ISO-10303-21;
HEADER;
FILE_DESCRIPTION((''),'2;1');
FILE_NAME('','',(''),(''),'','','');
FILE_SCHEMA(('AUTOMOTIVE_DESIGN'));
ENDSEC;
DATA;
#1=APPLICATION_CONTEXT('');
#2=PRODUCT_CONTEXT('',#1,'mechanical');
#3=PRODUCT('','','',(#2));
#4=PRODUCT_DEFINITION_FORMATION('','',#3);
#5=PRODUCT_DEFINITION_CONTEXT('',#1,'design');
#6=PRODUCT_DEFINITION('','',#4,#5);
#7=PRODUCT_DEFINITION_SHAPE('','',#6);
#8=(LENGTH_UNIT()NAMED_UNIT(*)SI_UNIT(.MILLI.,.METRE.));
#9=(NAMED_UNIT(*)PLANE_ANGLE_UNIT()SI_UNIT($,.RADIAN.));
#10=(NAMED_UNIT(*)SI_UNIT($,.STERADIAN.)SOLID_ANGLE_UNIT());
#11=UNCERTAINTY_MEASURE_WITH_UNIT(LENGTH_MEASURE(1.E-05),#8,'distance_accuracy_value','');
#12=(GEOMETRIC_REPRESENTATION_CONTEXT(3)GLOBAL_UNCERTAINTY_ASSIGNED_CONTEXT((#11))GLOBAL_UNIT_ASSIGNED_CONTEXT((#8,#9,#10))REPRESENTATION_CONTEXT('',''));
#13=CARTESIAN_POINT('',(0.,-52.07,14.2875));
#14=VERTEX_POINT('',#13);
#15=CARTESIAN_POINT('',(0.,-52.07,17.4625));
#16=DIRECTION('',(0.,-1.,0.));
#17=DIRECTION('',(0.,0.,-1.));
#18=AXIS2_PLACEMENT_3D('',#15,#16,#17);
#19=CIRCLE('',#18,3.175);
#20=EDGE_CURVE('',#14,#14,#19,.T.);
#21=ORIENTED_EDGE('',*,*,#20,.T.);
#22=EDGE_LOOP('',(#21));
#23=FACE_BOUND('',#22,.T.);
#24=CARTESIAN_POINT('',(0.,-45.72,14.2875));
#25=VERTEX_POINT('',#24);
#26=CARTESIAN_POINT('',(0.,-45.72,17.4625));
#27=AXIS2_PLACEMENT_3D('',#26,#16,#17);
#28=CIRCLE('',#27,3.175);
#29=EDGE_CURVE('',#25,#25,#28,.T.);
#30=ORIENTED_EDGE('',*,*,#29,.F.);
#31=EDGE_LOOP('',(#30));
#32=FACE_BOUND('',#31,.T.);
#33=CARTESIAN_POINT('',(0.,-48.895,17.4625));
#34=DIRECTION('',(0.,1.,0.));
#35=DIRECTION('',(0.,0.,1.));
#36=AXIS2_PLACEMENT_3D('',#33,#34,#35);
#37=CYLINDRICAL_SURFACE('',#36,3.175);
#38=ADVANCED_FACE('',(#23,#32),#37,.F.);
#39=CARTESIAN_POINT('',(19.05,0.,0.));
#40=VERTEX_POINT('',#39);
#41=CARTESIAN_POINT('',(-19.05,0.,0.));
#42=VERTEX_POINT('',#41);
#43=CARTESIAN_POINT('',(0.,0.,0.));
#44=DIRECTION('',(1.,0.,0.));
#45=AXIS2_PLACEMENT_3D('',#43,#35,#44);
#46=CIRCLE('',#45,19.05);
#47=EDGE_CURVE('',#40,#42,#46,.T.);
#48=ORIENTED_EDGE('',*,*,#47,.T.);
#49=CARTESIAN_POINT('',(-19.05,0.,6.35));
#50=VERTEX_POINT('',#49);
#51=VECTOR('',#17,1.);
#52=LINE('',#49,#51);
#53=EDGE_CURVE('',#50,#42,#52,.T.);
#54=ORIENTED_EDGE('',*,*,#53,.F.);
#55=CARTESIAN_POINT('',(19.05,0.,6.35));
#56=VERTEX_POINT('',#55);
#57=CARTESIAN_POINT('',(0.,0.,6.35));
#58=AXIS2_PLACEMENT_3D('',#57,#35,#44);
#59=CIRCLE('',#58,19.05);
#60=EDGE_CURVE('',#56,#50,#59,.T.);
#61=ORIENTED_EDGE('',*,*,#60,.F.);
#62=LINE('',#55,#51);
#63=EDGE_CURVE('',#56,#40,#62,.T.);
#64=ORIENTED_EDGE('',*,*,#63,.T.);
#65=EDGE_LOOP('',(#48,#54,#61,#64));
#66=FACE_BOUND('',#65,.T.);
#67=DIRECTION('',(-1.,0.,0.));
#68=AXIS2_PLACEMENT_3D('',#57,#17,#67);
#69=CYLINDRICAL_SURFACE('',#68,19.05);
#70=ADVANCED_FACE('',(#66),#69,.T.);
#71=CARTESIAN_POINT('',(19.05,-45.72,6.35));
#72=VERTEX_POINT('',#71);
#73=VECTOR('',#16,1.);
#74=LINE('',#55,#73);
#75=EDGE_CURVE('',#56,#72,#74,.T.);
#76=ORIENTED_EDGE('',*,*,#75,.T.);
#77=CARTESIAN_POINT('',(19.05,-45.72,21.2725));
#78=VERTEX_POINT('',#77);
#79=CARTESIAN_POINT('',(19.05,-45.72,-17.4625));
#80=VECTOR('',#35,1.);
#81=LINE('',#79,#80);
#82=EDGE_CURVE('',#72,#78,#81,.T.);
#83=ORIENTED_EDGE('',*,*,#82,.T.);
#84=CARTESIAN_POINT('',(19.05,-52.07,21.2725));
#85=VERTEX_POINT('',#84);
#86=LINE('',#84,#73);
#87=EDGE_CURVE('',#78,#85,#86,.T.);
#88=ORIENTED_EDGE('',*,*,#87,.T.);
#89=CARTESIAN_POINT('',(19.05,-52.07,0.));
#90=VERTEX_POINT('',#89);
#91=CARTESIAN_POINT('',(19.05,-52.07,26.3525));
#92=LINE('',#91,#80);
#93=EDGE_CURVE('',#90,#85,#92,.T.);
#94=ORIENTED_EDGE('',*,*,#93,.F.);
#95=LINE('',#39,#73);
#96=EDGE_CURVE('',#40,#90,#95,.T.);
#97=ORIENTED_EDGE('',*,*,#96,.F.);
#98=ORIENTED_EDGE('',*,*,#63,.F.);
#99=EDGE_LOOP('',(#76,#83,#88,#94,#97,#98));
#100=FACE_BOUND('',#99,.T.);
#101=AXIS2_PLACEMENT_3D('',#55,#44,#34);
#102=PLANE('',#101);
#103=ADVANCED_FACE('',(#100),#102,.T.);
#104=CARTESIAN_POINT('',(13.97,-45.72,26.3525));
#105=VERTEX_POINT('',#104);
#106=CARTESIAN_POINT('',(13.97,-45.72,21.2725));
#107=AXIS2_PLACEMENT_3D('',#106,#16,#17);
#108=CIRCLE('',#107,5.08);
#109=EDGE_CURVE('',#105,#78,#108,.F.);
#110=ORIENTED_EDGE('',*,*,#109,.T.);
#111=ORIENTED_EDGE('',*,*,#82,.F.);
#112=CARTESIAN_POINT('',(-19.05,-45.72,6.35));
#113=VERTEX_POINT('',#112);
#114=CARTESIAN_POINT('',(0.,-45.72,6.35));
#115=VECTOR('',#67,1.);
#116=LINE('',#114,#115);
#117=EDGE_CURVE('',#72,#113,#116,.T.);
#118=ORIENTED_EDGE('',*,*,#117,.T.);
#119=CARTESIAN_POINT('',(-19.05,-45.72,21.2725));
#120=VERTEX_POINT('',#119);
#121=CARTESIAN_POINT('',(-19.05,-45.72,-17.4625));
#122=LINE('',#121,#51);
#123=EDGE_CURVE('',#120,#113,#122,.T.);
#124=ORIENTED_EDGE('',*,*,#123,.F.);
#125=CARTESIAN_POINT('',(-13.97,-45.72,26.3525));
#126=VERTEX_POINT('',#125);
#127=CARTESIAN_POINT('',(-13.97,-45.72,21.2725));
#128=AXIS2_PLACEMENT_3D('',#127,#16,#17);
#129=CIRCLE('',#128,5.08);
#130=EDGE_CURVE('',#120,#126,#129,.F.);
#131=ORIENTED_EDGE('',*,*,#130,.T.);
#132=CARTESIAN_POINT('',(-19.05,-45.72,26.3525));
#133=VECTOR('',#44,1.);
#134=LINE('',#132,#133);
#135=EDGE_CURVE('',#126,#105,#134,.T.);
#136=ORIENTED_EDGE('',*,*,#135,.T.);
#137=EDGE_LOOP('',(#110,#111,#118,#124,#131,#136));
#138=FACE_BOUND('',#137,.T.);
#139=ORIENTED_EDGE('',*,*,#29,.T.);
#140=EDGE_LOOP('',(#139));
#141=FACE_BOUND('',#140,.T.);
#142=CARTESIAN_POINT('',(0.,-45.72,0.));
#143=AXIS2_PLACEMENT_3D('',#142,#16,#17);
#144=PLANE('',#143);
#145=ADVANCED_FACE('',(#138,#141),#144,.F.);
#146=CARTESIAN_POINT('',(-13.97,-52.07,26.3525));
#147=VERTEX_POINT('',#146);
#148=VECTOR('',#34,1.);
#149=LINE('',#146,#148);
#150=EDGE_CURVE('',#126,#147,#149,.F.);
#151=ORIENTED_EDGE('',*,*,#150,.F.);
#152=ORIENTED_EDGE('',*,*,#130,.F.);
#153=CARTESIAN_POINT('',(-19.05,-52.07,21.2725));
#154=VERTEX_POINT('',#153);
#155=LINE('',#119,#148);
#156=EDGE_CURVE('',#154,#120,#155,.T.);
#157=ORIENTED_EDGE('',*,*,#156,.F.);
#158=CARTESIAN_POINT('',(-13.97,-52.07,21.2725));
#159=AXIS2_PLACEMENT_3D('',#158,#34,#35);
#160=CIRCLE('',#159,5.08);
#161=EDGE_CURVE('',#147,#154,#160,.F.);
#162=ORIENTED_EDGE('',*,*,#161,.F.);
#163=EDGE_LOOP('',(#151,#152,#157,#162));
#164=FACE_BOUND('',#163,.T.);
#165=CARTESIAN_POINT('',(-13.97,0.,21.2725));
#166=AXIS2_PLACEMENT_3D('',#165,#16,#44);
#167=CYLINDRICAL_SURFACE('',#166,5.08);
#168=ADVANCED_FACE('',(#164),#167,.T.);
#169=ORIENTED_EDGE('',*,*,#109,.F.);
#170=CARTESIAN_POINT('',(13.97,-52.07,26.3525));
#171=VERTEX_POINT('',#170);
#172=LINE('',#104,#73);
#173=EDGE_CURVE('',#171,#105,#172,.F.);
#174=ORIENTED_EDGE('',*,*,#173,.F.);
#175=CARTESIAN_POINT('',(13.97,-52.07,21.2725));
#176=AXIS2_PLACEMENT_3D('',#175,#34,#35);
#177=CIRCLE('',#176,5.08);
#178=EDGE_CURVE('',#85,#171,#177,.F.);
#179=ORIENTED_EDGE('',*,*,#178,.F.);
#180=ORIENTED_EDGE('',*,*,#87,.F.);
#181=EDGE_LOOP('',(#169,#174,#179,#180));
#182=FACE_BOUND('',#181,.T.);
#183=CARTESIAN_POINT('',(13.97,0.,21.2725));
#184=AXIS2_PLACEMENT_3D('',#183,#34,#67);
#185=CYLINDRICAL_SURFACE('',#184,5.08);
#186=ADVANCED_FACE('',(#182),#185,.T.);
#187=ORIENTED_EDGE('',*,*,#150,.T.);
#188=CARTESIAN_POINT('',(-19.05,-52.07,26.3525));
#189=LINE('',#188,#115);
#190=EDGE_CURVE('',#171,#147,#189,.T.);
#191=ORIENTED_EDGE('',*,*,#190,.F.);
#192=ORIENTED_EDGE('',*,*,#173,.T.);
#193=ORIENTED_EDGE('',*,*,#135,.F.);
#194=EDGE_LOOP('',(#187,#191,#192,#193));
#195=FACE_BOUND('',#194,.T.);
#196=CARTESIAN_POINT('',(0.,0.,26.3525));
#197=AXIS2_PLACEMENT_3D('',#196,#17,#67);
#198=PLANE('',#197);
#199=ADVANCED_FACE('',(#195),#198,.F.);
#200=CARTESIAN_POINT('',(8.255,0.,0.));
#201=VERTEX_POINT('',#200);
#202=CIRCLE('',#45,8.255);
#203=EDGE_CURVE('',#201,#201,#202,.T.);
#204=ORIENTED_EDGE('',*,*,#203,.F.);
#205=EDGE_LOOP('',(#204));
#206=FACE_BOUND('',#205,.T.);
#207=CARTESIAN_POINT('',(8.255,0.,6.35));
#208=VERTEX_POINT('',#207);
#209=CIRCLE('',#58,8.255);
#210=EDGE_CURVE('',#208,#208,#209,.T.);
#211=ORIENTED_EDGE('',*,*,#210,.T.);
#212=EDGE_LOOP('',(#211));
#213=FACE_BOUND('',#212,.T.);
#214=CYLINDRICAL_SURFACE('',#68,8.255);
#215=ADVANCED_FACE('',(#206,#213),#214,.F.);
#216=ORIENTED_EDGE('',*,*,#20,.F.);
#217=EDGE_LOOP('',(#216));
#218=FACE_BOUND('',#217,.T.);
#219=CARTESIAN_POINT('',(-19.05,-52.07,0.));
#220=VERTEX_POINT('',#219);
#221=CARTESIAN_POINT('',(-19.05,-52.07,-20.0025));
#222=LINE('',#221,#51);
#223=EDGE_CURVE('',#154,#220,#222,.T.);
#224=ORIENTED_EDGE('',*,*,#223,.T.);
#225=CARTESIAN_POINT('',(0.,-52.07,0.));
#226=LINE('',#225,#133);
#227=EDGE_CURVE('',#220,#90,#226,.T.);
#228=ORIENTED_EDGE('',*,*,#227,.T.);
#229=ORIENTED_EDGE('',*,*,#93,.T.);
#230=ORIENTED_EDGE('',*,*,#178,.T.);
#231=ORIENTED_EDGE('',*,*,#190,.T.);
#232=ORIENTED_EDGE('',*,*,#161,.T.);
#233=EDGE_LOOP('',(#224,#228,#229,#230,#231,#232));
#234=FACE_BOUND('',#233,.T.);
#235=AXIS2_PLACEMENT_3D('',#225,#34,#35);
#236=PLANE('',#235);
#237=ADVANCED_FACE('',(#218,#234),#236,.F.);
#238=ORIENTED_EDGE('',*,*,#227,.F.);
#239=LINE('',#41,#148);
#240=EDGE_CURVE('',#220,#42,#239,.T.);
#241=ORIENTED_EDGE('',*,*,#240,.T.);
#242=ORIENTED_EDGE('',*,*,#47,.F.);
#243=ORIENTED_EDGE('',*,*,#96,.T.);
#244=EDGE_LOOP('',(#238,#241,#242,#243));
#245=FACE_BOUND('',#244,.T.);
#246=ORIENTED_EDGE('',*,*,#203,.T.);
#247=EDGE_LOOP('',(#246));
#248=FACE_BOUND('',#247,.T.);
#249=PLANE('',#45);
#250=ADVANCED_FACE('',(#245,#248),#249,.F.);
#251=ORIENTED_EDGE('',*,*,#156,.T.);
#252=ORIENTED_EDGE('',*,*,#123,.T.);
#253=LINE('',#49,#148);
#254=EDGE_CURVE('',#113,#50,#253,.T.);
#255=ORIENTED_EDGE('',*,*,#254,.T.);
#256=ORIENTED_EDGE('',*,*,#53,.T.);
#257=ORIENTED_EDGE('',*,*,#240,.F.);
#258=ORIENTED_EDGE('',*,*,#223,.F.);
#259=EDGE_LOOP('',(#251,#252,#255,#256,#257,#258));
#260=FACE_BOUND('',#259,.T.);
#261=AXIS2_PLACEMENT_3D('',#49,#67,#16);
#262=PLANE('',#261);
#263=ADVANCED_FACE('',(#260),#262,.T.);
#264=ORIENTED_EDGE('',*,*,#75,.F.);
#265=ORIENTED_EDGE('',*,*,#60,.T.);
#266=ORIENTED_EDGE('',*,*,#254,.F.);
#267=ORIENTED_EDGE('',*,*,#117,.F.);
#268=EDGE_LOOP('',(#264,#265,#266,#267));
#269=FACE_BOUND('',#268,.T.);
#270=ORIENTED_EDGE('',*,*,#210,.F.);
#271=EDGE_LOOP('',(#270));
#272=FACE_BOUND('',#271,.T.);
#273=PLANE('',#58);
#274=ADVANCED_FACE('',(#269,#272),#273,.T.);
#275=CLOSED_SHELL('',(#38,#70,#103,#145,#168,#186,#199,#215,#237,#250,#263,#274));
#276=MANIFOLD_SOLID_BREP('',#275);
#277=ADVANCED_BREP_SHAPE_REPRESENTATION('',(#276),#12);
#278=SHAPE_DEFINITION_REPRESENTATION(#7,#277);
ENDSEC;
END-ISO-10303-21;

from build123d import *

# Parameters (mm, degrees)
BOSS_EXTRUDE1_DEPTH = 6.35
SKETCH2_W           = 38.1
SKETCH2_H           = 41.275
SKETCH2_R           = 3.175
BOSS_EXTRUDE2_DEPTH = 3.175
SKETCH4_W           = 38.1
SKETCH4_H           = 3.175
BOSS_EXTRUDE3_DEPTH = 2.54
SKETCH5_W           = 38.1
SKETCH5_H           = 46.355
BOSS_EXTRUDE4_DEPTH = 3.175
SKETCH6_R           = 3.175
CUT_EXTRUDE1_DEPTH  = 6.35
FILLET1_R           = 5.08
SKETCH7_W           = 70.311291794
SKETCH7_H           = 15.462980338
CUT_EXTRUDE2_DEPTH  = 20.0025


with BuildPart() as part:
    # Sketch1 → Boss-Extrude1 (new body)
    with BuildSketch(Plane.XY):
        with BuildLine():
            ThreePointArc((-8.255, 0), (0, 8.255), (8.255, 0))
            Line((8.255, 0), (19.05, 0))
            ThreePointArc((19.05, 0), (0, 19.05), (-19.05, 0))
            Line((-19.05, 0), (-8.255, 0))
        make_face()
        with BuildLine():
            Line((19.05, 0), (8.255, 0))
            ThreePointArc((8.255, 0), (0, -8.255), (-8.255, 0))
            Line((-8.255, 0), (-19.05, 0))
            ThreePointArc((-19.05, 0), (0, -19.05), (19.05, 0))
        make_face()
        with BuildLine():
            Line((19.05, -45.72), (19.05, 0))
            ThreePointArc((19.05, 0), (0, -19.05), (-19.05, 0))
            Line((-19.05, 0), (-19.05, -45.72))
            Line((-19.05, -45.72), (19.05, -45.72))
        make_face()
    extrude(amount=BOSS_EXTRUDE1_DEPTH)

    # Sketch2 → Boss-Extrude2 (add)
    with BuildSketch(Plane.XZ.offset(45.72)):
        with Locations((0, 3.175)):
            Rectangle(SKETCH2_W, SKETCH2_H)
        with Locations((0, 17.4625)):
            Circle(SKETCH2_R, mode=Mode.SUBTRACT)
        with Locations((0, -11.1125)):
            Circle(SKETCH2_R, mode=Mode.SUBTRACT)
    extrude(amount=BOSS_EXTRUDE2_DEPTH)

    # Sketch4 → Boss-Extrude3 (add)
    with BuildSketch(Plane.XY.offset(23.8125)):
        with Locations((0, -47.3075)):
            Rectangle(SKETCH4_W, SKETCH4_H)
    boss_extrude3 = extrude(amount=BOSS_EXTRUDE3_DEPTH)

    # Mirror1: Boss-Extrude3 across plane
    add(boss_extrude3.mirror(Plane.XY.offset(3.175)))

    # Sketch5 → Boss-Extrude4 (add)
    with BuildSketch(Plane.XZ.offset(48.895)):
        with Locations((0, 3.175)):
            Rectangle(SKETCH5_W, SKETCH5_H)
    extrude(amount=BOSS_EXTRUDE4_DEPTH)

    # Sketch6 → Cut-Extrude1 (cut)
    with BuildSketch(Plane(origin=(0, -45.72, 0), x_dir=(1, 0, 0), z_dir=(0, 1, 0))):
        with Locations((0, 11.1125)):
            Circle(SKETCH6_R)
    cut_extrude1 = extrude(amount=-CUT_EXTRUDE1_DEPTH, mode=Mode.SUBTRACT)

    # Mirror2: Cut-Extrude1 across plane
    add(cut_extrude1.mirror(Plane.XY.offset(3.175)), mode=Mode.SUBTRACT)

    # Fillet1
    fillet1_edges = [part.edges().sort_by_distance(p)[0] for p in [
        (19.05, -48.895, 26.3525),
        (-19.05, -48.895, 26.3525),
        (-19.05, -48.895, -20.0025),
        (19.05, -48.895, -20.0025),
    ]]
    fillet(fillet1_edges, radius=FILLET1_R)

    # Sketch7 → Cut-Extrude2 (cut)
    with BuildSketch(Plane(origin=(0, 0, -20.0025), x_dir=(-1, 0, 0), z_dir=(0, 0, -1))):
        with Locations((-1.046028379, -47.628881587)):
            Rectangle(SKETCH7_W, SKETCH7_H)
    extrude(amount=-CUT_EXTRUDE2_DEPTH, mode=Mode.SUBTRACT)


solid = part.part
